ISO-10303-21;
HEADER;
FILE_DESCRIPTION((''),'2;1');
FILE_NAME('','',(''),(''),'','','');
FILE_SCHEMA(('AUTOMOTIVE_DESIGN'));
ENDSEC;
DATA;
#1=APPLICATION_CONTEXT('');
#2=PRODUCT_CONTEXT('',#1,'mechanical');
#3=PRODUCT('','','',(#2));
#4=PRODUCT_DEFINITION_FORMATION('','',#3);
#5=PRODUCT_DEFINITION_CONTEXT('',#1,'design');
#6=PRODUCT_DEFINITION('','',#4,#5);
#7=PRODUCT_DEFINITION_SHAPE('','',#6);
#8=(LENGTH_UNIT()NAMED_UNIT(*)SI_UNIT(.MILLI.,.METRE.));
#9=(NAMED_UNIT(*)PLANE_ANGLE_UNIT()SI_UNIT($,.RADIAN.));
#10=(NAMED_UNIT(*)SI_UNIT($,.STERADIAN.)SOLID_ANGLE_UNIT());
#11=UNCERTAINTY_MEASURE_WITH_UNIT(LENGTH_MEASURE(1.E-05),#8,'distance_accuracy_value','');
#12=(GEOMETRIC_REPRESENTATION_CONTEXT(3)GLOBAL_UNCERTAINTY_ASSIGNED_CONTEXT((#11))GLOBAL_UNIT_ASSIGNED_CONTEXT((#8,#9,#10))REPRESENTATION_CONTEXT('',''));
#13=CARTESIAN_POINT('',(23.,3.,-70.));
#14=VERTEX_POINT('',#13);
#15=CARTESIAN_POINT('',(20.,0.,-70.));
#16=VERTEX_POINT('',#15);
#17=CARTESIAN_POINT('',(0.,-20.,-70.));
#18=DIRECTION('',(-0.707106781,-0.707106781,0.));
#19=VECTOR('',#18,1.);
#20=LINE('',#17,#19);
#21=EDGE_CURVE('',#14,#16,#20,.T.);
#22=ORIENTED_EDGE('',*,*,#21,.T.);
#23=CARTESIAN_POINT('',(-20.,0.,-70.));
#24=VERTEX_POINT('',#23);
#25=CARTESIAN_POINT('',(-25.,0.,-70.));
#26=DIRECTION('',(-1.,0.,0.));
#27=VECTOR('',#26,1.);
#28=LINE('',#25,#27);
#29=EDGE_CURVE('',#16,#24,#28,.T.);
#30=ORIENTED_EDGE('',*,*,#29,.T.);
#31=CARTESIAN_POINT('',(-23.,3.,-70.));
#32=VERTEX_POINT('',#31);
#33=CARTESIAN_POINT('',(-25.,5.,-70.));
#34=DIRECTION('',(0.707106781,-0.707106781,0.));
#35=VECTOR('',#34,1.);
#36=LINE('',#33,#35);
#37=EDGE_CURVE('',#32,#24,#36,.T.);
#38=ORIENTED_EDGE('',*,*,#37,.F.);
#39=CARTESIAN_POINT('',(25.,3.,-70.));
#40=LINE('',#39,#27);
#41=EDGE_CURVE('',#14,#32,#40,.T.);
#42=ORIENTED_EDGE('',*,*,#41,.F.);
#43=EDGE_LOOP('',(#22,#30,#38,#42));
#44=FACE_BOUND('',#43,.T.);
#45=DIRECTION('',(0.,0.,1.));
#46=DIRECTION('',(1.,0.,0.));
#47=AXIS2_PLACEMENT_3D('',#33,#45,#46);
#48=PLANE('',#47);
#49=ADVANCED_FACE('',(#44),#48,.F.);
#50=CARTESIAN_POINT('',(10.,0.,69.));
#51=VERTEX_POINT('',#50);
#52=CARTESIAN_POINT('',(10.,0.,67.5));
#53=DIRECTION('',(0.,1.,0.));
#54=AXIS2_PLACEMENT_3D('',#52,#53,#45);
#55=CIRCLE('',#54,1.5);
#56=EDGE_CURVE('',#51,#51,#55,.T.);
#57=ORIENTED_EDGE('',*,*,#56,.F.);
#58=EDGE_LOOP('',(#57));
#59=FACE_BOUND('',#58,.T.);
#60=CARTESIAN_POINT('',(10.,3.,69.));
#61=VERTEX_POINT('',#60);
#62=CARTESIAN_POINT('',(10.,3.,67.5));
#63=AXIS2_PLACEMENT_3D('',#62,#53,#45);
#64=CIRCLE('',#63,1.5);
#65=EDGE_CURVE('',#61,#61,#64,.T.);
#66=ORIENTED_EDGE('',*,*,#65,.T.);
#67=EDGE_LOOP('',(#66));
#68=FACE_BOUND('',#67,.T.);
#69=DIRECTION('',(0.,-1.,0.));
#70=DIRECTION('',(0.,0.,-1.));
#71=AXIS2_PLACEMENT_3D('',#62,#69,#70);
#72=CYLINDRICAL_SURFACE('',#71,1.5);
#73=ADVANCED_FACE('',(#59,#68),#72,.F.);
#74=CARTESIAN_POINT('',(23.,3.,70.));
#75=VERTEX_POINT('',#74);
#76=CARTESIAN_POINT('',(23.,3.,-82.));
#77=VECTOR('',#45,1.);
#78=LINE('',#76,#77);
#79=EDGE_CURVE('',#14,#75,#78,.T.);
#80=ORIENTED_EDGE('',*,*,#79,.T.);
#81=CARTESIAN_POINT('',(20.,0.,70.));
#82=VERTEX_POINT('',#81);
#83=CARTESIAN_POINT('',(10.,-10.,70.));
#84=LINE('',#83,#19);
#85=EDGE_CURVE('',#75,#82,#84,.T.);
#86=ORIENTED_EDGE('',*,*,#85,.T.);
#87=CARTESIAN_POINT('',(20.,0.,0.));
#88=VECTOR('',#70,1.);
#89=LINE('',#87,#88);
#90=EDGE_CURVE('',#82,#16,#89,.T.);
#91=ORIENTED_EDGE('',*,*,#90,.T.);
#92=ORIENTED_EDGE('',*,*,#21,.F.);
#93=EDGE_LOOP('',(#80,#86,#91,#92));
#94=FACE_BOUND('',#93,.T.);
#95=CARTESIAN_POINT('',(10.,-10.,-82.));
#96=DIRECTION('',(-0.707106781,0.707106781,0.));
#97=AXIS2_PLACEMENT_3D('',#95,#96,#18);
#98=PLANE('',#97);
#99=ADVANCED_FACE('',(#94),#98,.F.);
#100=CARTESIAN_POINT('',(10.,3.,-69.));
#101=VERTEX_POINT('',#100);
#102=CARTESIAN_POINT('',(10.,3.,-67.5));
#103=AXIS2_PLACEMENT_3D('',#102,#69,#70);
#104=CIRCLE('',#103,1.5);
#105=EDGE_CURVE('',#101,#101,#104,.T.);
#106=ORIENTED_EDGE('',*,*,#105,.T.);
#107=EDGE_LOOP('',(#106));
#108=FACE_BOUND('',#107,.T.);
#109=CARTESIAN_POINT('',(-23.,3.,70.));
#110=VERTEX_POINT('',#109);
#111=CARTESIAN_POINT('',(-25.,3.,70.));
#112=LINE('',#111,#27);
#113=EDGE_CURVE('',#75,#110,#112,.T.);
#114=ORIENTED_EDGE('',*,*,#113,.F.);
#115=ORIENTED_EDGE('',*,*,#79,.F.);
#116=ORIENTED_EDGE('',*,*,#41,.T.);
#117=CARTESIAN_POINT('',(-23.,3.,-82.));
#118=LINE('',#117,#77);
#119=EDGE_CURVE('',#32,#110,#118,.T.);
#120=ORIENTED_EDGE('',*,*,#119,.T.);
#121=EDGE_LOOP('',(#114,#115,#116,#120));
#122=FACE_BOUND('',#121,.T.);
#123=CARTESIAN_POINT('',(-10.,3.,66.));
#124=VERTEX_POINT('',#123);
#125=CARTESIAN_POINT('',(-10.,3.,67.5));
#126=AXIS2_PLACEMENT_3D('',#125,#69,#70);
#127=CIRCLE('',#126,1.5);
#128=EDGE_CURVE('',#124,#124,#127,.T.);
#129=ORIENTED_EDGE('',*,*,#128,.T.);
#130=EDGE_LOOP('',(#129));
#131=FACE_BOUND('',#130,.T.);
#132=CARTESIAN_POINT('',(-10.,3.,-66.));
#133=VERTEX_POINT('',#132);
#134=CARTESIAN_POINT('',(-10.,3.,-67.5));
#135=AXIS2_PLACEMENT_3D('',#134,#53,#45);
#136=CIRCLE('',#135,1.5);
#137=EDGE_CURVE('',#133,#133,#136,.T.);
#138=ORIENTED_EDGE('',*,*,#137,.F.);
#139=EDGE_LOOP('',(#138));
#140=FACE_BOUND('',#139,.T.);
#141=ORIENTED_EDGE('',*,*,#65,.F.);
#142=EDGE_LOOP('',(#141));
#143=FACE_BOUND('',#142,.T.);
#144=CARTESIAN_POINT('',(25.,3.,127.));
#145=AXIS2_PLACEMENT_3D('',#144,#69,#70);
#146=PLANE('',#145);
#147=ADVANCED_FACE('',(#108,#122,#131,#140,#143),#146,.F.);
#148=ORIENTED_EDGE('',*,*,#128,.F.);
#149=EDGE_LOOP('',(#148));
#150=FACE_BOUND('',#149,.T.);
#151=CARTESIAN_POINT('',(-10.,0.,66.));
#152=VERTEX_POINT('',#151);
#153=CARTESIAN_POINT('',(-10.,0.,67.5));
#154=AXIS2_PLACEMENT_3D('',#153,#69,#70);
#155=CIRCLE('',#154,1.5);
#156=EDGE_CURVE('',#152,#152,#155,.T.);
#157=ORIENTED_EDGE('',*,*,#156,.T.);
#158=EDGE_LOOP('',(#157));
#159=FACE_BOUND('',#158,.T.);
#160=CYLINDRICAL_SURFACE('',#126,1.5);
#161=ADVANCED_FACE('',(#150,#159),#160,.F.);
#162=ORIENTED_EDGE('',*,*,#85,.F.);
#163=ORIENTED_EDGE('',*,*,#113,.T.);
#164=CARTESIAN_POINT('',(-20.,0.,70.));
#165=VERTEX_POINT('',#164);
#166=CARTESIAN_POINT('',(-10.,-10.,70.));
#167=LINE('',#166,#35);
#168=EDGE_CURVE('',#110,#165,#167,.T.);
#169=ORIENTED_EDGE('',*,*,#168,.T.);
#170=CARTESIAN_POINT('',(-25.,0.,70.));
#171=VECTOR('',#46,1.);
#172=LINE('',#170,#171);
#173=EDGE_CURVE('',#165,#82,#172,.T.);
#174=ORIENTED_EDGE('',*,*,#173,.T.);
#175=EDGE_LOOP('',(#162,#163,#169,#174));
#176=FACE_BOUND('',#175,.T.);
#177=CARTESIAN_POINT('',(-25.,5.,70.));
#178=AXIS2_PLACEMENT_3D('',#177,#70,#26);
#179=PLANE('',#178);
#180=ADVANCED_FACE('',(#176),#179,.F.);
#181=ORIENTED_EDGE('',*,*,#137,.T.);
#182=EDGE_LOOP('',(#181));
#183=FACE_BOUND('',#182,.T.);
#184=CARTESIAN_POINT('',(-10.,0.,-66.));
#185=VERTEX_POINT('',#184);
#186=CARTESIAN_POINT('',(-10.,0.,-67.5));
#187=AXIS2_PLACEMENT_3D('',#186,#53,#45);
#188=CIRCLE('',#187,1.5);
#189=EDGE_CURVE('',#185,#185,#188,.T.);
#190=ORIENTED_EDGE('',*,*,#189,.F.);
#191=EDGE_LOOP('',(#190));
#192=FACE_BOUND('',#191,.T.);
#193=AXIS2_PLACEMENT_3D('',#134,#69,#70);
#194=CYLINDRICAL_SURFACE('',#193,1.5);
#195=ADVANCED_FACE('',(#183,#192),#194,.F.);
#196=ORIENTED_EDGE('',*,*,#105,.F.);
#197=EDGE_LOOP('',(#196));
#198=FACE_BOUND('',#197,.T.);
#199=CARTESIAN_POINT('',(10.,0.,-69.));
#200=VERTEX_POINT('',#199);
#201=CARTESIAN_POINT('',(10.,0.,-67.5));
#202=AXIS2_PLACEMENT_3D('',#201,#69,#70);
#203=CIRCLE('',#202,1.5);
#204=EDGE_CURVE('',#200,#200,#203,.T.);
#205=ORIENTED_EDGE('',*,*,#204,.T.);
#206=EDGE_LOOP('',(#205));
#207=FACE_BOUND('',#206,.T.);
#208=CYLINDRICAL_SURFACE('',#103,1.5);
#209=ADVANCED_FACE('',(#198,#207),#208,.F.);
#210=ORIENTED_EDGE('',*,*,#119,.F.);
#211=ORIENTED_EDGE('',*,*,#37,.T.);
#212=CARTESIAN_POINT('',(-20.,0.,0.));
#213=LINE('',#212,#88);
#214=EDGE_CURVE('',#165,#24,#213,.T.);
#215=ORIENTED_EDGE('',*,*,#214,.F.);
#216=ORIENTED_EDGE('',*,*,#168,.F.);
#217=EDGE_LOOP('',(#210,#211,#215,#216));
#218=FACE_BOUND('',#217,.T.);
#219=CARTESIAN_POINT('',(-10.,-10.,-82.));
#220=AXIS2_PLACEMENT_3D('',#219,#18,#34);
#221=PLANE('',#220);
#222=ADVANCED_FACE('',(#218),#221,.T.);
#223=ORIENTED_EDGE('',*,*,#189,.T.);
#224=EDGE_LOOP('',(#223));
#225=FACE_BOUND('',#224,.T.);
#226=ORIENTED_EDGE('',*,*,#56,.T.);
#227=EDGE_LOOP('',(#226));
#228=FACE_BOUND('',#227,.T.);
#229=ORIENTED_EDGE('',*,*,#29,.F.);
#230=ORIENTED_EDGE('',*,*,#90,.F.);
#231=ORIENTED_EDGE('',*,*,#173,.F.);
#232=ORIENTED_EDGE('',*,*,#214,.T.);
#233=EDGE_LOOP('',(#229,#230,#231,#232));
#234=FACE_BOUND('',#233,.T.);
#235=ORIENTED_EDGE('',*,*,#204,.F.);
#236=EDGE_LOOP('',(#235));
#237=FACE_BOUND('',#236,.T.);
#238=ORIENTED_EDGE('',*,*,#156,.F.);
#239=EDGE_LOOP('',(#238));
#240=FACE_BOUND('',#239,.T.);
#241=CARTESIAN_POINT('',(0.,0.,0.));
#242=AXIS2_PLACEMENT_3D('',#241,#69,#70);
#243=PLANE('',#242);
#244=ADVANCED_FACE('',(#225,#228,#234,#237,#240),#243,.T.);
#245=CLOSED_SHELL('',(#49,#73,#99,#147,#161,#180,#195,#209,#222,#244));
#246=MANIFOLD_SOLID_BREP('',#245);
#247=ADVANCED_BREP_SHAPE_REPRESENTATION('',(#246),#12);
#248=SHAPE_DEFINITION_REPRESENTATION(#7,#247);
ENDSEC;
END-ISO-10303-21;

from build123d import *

# Parameters (mm, degrees)
SKETCH1_W           = 50
SKETCH1_H           = 140
BOSS_EXTRUDE2_DEPTH = 5
CUT_EXTRUDE1_DEPTH  = 152
SKETCH7_W           = 50
SKETCH7_H           = 2
CUT_EXTRUDE5_DEPTH  = 197
SKETCH8_W           = 30
SKETCH8_H           = 130
CUT_EXTRUDE6_DEPTH  = 197
SKETCH9_W           = 40
SKETCH9_H           = 20
SKETCH9_R           = 1.5
BOSS_EXTRUDE5_DEPTH = 3
SKETCH10_W          = 30
SKETCH10_H          = 10
SKETCH10_R          = 1.5
BOSS_EXTRUDE6_DEPTH = 3
SKETCH11_R          = 1.5
CUT_EXTRUDE7_DEPTH  = 3
SKETCH12_W          = 30.040139405
SKETCH12_H          = 126.520437971
BOSS_EXTRUDE8_DEPTH = 3


with BuildPart() as part:
    # Sketch1 → Boss-Extrude2 (new body)
    with BuildSketch(Plane(origin=(0, 0, 0), x_dir=(1, 0, 0), z_dir=(0, 1, 0))):
        Rectangle(SKETCH1_W, SKETCH1_H)
    extrude(amount=BOSS_EXTRUDE2_DEPTH)

    # Sketch2 → Cut-Extrude1 (cut)
    with BuildSketch(Plane.XY.offset(70)):
        Polygon((-20, 0), (-25, 5), (-25, 0), align=None)
        Polygon((25, 5), (20, 0), (25, 0), align=None)
    extrude(amount=-CUT_EXTRUDE1_DEPTH, mode=Mode.SUBTRACT)

    # Sketch7 → Cut-Extrude5 (cut)
    with BuildSketch(Plane(origin=(0, 0, -70), x_dir=(-1, 0, 0), z_dir=(0, 0, -1))):
        with Locations((0, 4)):
            Rectangle(SKETCH7_W, SKETCH7_H)
    extrude(amount=-CUT_EXTRUDE5_DEPTH, mode=Mode.SUBTRACT)

    # Sketch8 → Cut-Extrude6 (cut)
    with BuildSketch(Plane.XZ):
        Rectangle(SKETCH8_W, SKETCH8_H)
    extrude(amount=-CUT_EXTRUDE6_DEPTH, mode=Mode.SUBTRACT)

    # Sketch9 → Boss-Extrude5 (add)
    with BuildSketch(Plane.XZ):
        with Locations((0, -60)):
            Rectangle(SKETCH9_W, SKETCH9_H)
        with Locations(Location((-13.5, -56.5, 0), (0, 0, 270))):
            Circle(SKETCH9_R, mode=Mode.SUBTRACT)
        with Locations(Location((13.5, -56.5, 0), (0, 0, 90))):
            Circle(SKETCH9_R, mode=Mode.SUBTRACT)
    extrude(amount=-BOSS_EXTRUDE5_DEPTH)

    # Sketch10 → Boss-Extrude6 (add)
    with BuildSketch(Plane.XZ):
        with Locations((0, 50)):
            Rectangle(SKETCH10_W, SKETCH10_H)
        with Locations(Location((-10, 50, 0), (0, 0, 270))):
            Circle(SKETCH10_R, mode=Mode.SUBTRACT)
        with Locations(Location((10, 50, 0), (0, 0, 270))):
            Circle(SKETCH10_R, mode=Mode.SUBTRACT)
    extrude(amount=-BOSS_EXTRUDE6_DEPTH)

    # Sketch11 → Cut-Extrude7 (cut)
    with BuildSketch(Plane.XZ):
        with Locations(Location((-10, 67.5, 0), (0, 0, 270))):
            Circle(SKETCH11_R)
        with Locations(Location((10, 67.5, 0), (0, 0, 90))):
            Circle(SKETCH11_R)
        with Locations(Location((10, -67.5, 0), (0, 0, 270))):
            Circle(SKETCH11_R)
        with Locations(Location((-10, -67.5, 0), (0, 0, 90))):
            Circle(SKETCH11_R)
    extrude(amount=-CUT_EXTRUDE7_DEPTH, mode=Mode.SUBTRACT)

    # Sketch12 → Boss-Extrude8 (add)
    with BuildSketch(Plane(origin=(0, 3, 0), x_dir=(1, 0, 0), z_dir=(0, 1, 0))):
        with Locations((-0.020069702, -1.739781014)):
            Rectangle(SKETCH12_W, SKETCH12_H)
    extrude(amount=-BOSS_EXTRUDE8_DEPTH)


solid = part.part
